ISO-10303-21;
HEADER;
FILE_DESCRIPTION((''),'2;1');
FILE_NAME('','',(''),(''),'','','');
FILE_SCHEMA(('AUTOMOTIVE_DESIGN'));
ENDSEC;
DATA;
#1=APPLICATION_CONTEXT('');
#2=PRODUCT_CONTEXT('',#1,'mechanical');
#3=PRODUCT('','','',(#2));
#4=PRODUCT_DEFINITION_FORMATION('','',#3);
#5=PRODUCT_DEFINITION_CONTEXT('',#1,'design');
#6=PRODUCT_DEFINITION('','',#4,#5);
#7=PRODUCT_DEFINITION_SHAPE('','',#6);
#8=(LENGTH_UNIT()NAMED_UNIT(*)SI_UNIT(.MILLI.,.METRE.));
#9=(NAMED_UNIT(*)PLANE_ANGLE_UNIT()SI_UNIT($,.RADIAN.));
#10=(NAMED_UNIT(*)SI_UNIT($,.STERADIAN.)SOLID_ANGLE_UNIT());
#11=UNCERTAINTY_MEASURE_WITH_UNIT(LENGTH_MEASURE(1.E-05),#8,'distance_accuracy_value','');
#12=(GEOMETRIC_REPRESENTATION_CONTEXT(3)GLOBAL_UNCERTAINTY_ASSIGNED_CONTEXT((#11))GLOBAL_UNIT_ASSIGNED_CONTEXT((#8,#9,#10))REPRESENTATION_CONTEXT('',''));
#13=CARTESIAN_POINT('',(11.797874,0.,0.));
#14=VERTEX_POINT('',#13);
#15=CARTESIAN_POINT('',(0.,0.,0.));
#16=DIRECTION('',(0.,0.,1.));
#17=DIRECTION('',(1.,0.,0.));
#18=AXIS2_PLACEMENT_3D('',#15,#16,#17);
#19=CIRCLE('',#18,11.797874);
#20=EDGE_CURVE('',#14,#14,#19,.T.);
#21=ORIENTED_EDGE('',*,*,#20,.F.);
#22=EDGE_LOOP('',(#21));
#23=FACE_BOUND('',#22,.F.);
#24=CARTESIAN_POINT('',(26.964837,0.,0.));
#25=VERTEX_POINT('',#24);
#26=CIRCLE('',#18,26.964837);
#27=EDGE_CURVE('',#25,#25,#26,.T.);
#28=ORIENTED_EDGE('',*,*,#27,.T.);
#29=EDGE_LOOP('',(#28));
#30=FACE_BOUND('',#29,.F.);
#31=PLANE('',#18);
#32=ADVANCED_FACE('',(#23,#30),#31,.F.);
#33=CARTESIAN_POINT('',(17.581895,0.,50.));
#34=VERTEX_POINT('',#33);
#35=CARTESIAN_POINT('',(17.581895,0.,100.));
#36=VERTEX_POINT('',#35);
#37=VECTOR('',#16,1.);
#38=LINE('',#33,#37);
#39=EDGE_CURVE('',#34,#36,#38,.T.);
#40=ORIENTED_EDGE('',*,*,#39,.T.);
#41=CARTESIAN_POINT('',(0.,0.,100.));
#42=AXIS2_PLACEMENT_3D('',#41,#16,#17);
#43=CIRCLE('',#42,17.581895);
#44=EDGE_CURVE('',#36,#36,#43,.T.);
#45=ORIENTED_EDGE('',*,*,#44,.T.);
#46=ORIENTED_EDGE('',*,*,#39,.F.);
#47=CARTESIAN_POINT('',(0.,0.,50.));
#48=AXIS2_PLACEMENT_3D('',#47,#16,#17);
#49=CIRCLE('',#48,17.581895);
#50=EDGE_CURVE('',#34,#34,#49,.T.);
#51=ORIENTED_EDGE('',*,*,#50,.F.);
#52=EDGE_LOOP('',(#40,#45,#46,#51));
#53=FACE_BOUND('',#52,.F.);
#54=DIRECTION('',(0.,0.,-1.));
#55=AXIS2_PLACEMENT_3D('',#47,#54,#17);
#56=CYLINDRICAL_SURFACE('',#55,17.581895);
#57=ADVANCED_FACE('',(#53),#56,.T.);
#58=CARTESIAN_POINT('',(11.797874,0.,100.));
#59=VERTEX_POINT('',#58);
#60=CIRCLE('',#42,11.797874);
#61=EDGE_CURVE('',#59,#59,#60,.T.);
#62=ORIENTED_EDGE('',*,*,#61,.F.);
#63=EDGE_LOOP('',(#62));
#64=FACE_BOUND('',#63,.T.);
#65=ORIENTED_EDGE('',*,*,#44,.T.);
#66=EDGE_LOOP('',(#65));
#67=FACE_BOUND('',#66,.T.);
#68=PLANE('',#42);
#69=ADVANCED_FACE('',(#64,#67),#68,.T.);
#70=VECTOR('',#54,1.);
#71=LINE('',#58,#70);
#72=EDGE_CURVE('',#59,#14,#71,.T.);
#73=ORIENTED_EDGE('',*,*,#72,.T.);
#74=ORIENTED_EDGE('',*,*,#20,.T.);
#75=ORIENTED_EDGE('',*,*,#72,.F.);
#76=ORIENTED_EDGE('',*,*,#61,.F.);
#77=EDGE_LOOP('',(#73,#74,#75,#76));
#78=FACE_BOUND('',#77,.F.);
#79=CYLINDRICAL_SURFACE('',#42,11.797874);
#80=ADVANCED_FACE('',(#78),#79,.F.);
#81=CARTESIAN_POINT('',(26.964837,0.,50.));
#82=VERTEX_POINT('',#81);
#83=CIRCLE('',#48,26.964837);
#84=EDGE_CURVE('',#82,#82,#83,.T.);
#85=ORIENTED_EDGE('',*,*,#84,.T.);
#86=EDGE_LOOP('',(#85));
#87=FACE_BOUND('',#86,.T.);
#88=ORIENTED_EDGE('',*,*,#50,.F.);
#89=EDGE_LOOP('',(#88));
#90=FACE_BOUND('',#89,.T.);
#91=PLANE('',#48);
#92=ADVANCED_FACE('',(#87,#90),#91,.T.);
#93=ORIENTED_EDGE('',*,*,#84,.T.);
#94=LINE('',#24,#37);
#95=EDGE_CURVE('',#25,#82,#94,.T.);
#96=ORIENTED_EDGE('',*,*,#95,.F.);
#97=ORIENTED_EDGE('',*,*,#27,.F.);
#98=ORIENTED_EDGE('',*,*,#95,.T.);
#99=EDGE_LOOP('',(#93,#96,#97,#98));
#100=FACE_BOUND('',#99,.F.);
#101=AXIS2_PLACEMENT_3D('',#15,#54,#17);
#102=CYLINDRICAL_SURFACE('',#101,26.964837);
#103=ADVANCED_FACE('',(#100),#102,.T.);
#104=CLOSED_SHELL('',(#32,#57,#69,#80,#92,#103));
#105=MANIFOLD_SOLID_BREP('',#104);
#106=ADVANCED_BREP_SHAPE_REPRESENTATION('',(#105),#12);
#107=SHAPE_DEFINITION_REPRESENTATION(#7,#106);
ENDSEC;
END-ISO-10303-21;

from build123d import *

# Parameters (mm, degrees)
F0_R     = 26.964837
F1_DEPTH = 50
F2_R     = 17.581895
F3_DEPTH = 50
F4_R     = 11.797874
F5_DEPTH = 100.001


with BuildPart() as f1:
    # F0 (on Top) → F1 (new body)
    with BuildSketch(Plane.XY):
        Circle(F0_R)
    extrude(amount=F1_DEPTH)

    # F2 (on face) → F3 (join)
    with BuildSketch(Plane.XY.offset(50)):
        Circle(F2_R)
    extrude(amount=F3_DEPTH)

    # F4 (on face) → F5 (cut, through all)
    with BuildSketch(Plane.XY.offset(100)):
        Circle(F4_R)
    extrude(amount=-F5_DEPTH, mode=Mode.SUBTRACT)


solid = f1.part
